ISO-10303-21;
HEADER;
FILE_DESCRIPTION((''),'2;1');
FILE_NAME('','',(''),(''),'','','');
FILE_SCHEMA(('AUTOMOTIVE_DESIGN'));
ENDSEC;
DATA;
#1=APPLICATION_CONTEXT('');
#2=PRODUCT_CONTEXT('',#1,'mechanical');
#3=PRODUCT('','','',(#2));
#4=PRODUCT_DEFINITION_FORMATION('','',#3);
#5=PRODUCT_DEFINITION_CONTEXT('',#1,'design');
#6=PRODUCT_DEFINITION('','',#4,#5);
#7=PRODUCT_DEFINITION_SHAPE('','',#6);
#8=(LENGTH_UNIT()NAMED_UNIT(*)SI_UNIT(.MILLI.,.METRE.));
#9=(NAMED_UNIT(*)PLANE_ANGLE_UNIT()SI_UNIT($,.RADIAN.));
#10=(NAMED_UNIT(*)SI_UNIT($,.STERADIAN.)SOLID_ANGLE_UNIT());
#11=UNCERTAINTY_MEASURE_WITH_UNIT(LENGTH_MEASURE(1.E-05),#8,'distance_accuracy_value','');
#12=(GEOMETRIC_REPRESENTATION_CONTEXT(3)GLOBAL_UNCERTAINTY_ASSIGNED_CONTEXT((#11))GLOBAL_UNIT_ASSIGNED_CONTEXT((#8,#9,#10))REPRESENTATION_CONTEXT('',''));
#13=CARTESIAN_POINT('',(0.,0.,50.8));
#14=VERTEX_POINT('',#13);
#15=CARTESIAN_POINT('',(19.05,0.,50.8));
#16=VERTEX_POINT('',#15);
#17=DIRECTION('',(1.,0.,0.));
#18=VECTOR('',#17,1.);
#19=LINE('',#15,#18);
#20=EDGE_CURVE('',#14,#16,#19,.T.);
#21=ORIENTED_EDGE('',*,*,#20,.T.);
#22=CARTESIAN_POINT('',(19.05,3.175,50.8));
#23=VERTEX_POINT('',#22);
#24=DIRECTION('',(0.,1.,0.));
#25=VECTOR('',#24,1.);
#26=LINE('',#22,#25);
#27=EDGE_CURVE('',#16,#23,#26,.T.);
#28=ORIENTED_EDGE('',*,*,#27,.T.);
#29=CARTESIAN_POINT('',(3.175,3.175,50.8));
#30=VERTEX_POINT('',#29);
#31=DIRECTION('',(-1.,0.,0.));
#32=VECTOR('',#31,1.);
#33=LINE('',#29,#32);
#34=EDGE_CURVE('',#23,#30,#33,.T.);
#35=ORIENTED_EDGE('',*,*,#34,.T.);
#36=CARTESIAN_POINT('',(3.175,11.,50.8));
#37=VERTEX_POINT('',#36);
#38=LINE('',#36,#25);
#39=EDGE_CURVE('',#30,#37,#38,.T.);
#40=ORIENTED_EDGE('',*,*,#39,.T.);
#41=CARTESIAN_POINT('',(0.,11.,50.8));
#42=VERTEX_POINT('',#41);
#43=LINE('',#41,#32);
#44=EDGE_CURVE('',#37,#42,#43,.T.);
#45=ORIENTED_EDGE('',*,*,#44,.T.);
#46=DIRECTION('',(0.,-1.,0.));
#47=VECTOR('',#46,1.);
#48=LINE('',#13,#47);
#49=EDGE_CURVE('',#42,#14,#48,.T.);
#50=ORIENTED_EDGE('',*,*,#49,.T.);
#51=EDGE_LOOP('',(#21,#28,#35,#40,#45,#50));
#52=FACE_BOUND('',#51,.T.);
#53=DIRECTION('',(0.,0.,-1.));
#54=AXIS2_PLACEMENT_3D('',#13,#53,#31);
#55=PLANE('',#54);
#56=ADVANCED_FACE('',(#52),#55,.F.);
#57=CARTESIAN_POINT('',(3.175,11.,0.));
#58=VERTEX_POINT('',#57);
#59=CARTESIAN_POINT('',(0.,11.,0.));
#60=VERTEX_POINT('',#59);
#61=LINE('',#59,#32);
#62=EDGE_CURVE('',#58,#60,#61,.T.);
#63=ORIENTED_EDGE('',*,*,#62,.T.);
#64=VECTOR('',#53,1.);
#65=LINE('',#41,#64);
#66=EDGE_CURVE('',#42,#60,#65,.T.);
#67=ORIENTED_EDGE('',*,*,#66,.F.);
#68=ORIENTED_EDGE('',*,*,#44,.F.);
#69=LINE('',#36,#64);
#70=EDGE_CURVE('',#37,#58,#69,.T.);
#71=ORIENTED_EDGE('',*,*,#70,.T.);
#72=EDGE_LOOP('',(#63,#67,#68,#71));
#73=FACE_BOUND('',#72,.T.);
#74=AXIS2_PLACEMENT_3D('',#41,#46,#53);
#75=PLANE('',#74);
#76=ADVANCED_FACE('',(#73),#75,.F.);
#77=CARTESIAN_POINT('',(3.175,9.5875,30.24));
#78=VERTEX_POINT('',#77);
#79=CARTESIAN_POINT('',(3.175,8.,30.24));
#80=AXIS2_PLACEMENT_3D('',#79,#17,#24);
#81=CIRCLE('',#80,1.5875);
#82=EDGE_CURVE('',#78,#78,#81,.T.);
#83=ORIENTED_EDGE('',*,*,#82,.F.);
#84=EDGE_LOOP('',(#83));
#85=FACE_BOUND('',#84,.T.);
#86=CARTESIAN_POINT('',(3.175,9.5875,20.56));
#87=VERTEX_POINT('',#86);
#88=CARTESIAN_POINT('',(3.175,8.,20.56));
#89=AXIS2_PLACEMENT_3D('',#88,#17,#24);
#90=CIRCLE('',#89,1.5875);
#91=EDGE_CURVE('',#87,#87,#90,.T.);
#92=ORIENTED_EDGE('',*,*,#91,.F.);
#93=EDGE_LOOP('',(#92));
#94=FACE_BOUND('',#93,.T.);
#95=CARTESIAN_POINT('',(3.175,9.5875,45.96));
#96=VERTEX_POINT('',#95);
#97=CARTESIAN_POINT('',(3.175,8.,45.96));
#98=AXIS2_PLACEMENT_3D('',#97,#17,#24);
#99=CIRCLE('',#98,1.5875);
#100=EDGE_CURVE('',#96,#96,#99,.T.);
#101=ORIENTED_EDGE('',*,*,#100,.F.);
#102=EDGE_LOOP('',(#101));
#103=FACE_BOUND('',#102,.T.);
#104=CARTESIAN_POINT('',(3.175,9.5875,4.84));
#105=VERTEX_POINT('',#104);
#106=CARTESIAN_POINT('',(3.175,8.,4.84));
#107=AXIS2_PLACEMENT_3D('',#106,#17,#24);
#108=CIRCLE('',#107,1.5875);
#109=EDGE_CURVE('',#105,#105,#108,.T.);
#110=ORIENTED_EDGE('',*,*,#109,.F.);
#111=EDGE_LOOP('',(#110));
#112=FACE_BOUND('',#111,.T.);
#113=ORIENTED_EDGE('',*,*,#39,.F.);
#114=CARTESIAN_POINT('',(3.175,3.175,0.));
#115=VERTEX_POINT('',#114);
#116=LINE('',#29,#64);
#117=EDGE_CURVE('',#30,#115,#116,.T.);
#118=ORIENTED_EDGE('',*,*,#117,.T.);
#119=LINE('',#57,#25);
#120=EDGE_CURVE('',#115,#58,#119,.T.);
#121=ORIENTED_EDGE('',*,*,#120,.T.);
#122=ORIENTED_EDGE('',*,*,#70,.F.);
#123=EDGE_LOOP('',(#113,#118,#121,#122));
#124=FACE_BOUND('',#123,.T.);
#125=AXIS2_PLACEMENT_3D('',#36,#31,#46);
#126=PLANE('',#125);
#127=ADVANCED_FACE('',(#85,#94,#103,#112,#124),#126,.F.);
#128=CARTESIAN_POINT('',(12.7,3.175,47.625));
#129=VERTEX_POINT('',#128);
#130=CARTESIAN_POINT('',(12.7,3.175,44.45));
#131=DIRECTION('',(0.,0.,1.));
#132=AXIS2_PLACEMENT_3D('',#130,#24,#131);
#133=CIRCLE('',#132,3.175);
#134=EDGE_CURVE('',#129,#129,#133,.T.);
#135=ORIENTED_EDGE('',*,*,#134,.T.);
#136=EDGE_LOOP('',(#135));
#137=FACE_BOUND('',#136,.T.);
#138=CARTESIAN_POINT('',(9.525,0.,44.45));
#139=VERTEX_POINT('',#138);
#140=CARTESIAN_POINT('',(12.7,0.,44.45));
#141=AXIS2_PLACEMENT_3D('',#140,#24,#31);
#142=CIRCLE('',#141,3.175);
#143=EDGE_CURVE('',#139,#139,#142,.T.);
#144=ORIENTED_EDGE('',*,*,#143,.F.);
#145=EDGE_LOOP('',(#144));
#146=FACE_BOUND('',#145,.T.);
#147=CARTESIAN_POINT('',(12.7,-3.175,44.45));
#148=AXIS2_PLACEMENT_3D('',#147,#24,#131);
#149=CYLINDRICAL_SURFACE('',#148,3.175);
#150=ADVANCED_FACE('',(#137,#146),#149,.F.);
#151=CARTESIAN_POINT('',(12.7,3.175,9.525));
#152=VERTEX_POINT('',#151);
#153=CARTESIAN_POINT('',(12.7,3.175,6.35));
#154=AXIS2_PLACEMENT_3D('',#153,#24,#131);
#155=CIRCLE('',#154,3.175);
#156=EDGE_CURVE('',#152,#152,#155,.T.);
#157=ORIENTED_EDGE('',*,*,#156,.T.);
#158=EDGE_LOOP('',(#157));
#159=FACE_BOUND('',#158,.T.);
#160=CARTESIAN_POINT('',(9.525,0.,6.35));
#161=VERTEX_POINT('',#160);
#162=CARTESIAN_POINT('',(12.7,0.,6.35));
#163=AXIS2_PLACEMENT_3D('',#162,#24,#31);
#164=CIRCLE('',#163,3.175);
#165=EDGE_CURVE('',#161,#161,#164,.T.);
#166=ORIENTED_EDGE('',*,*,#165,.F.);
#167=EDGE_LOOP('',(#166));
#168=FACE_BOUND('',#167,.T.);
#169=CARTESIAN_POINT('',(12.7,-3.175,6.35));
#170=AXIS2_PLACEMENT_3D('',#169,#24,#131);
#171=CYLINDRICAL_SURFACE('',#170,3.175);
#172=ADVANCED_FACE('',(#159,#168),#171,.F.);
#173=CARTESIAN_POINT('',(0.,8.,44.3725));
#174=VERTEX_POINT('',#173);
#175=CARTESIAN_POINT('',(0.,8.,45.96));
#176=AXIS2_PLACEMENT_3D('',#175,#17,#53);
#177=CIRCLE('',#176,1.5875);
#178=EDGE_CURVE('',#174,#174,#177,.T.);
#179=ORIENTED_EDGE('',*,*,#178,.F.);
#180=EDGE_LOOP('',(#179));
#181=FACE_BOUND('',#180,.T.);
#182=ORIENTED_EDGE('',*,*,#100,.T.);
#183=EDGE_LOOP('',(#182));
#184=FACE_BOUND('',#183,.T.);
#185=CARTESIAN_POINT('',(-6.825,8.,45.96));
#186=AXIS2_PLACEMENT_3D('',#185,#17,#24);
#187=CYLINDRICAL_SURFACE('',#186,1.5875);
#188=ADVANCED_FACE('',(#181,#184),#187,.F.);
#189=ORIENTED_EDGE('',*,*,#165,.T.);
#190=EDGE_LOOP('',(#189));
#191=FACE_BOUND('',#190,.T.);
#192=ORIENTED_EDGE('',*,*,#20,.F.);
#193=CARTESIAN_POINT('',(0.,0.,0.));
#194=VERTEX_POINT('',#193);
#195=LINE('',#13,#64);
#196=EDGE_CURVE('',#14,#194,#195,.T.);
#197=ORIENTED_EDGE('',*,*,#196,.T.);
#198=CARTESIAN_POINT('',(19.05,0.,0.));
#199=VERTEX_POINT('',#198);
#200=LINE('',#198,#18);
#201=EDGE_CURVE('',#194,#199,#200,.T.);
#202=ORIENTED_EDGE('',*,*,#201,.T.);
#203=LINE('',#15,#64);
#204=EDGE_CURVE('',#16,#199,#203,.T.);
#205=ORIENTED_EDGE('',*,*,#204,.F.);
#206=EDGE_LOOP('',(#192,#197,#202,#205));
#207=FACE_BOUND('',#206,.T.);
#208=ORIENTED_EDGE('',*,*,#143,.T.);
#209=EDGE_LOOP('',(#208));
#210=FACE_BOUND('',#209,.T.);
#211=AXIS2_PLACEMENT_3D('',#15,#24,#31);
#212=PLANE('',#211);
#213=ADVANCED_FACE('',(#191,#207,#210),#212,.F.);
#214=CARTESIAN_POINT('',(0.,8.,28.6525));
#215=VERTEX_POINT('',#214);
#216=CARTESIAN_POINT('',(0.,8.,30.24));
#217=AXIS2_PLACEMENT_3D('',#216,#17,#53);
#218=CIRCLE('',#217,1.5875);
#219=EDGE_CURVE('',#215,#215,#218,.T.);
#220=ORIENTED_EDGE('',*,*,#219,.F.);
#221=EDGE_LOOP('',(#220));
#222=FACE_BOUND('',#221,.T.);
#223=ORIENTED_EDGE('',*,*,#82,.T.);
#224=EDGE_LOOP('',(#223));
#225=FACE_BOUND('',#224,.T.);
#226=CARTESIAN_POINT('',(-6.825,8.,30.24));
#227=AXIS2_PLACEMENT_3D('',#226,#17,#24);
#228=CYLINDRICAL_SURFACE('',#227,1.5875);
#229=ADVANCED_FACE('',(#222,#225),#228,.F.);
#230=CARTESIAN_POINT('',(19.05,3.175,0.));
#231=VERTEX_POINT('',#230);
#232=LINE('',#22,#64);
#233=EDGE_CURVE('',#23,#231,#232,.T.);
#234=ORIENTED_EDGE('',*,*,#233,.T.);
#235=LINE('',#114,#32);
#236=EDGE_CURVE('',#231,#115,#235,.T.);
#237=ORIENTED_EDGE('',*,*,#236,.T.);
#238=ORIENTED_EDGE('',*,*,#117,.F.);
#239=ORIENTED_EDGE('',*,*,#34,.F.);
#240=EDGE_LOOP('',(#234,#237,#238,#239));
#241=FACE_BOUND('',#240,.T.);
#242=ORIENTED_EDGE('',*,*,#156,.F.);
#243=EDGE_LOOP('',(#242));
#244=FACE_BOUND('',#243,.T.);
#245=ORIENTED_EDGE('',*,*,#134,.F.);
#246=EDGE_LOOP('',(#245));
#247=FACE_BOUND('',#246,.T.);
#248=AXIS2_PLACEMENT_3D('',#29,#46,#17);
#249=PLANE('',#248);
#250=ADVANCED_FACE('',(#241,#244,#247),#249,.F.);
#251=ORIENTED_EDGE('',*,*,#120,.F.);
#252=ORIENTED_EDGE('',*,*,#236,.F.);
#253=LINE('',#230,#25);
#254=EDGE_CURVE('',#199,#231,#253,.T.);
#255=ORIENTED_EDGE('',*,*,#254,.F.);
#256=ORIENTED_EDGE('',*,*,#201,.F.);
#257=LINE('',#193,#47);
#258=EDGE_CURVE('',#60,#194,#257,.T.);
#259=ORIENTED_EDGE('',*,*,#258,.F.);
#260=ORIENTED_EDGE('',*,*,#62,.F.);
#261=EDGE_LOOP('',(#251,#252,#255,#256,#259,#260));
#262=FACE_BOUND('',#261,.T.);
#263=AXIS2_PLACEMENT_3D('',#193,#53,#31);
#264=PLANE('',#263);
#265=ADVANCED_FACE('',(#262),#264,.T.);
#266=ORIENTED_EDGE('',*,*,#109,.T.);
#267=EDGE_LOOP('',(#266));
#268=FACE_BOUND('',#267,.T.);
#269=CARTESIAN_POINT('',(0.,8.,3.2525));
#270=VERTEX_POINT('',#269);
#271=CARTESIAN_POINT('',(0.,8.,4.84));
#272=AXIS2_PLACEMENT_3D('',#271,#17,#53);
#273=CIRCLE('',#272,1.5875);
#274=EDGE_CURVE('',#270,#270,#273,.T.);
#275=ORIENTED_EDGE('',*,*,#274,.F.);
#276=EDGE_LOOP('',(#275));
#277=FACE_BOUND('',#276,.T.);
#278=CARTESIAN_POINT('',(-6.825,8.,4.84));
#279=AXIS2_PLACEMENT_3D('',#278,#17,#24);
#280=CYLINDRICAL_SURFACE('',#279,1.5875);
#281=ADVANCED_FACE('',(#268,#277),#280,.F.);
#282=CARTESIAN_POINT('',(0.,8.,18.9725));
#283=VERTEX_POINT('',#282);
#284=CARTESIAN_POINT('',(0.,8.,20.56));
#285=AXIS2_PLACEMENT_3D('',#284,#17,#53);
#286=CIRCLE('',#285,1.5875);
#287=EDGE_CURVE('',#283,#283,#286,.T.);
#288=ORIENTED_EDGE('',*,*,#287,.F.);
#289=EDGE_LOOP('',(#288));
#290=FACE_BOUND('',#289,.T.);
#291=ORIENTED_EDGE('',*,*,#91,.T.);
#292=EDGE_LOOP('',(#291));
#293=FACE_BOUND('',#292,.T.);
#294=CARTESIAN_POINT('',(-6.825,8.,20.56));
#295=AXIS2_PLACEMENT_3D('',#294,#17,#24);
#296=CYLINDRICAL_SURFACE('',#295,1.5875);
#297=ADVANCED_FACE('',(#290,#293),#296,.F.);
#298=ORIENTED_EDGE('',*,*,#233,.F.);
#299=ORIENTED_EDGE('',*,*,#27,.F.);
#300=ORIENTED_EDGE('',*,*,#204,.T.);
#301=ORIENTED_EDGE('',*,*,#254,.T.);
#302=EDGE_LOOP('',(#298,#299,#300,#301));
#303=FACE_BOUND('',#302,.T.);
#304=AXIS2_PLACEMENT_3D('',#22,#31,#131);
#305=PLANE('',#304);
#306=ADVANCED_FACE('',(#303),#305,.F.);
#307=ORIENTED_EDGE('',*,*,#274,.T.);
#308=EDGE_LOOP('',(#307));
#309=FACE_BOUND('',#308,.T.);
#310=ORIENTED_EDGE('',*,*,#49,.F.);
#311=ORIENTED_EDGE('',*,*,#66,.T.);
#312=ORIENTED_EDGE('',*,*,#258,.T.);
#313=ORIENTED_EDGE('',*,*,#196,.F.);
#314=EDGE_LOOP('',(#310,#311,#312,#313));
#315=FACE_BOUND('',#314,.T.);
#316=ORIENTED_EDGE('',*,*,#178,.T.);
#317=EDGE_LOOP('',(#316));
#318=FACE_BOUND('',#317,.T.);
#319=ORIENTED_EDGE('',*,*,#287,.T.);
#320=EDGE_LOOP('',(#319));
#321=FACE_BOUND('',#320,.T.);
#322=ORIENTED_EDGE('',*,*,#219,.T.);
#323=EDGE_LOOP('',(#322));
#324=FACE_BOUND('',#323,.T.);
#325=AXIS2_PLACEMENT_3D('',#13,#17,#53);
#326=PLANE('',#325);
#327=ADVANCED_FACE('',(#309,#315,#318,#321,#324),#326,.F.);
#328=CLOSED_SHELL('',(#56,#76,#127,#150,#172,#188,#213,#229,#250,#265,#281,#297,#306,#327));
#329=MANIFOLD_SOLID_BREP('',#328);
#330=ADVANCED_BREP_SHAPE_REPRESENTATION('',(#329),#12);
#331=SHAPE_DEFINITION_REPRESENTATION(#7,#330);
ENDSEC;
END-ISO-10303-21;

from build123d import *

# Parameters (mm, degrees)
BOSS_EXTRUDE1_DEPTH = 50.8
SKETCH2_R           = 1.5875
CUT_EXTRUDE1_DEPTH  = 10
SKETCH5_R           = 3.175
CUT_EXTRUDE2_DEPTH  = 6.35


with BuildPart() as part:
    # Sketch1 → Boss-Extrude1 (new body)
    with BuildSketch(Plane.XY):
        Polygon((0, 0), (0, 11), (3.175, 11), (3.175, 3.175), (19.05, 3.175), (19.05, 0), align=None)
    extrude(amount=BOSS_EXTRUDE1_DEPTH)

    # Sketch2 → Cut-Extrude1 (cut)
    with BuildSketch(Plane(origin=(3.175, 0, 0), x_dir=(0, 0, -1), z_dir=(1, 0, 0))):
        with Locations((-45.96, 8)):
            Circle(SKETCH2_R)
        with Locations((-30.24, 8)):
            Circle(SKETCH2_R)
        with Locations((-20.56, 8)):
            Circle(SKETCH2_R)
        with Locations((-4.84, 8)):
            Circle(SKETCH2_R)
    extrude(amount=-CUT_EXTRUDE1_DEPTH, mode=Mode.SUBTRACT)

    # Sketch5 → Cut-Extrude2 (cut)
    with BuildSketch(Plane(origin=(0, 3.175, 0), x_dir=(1, 0, 0), z_dir=(0, 1, 0))):
        with Locations((12.7, -6.35)):
            Circle(SKETCH5_R)
        with Locations((12.7, -44.45)):
            Circle(SKETCH5_R)
    extrude(amount=-CUT_EXTRUDE2_DEPTH, mode=Mode.SUBTRACT)


solid = part.part
